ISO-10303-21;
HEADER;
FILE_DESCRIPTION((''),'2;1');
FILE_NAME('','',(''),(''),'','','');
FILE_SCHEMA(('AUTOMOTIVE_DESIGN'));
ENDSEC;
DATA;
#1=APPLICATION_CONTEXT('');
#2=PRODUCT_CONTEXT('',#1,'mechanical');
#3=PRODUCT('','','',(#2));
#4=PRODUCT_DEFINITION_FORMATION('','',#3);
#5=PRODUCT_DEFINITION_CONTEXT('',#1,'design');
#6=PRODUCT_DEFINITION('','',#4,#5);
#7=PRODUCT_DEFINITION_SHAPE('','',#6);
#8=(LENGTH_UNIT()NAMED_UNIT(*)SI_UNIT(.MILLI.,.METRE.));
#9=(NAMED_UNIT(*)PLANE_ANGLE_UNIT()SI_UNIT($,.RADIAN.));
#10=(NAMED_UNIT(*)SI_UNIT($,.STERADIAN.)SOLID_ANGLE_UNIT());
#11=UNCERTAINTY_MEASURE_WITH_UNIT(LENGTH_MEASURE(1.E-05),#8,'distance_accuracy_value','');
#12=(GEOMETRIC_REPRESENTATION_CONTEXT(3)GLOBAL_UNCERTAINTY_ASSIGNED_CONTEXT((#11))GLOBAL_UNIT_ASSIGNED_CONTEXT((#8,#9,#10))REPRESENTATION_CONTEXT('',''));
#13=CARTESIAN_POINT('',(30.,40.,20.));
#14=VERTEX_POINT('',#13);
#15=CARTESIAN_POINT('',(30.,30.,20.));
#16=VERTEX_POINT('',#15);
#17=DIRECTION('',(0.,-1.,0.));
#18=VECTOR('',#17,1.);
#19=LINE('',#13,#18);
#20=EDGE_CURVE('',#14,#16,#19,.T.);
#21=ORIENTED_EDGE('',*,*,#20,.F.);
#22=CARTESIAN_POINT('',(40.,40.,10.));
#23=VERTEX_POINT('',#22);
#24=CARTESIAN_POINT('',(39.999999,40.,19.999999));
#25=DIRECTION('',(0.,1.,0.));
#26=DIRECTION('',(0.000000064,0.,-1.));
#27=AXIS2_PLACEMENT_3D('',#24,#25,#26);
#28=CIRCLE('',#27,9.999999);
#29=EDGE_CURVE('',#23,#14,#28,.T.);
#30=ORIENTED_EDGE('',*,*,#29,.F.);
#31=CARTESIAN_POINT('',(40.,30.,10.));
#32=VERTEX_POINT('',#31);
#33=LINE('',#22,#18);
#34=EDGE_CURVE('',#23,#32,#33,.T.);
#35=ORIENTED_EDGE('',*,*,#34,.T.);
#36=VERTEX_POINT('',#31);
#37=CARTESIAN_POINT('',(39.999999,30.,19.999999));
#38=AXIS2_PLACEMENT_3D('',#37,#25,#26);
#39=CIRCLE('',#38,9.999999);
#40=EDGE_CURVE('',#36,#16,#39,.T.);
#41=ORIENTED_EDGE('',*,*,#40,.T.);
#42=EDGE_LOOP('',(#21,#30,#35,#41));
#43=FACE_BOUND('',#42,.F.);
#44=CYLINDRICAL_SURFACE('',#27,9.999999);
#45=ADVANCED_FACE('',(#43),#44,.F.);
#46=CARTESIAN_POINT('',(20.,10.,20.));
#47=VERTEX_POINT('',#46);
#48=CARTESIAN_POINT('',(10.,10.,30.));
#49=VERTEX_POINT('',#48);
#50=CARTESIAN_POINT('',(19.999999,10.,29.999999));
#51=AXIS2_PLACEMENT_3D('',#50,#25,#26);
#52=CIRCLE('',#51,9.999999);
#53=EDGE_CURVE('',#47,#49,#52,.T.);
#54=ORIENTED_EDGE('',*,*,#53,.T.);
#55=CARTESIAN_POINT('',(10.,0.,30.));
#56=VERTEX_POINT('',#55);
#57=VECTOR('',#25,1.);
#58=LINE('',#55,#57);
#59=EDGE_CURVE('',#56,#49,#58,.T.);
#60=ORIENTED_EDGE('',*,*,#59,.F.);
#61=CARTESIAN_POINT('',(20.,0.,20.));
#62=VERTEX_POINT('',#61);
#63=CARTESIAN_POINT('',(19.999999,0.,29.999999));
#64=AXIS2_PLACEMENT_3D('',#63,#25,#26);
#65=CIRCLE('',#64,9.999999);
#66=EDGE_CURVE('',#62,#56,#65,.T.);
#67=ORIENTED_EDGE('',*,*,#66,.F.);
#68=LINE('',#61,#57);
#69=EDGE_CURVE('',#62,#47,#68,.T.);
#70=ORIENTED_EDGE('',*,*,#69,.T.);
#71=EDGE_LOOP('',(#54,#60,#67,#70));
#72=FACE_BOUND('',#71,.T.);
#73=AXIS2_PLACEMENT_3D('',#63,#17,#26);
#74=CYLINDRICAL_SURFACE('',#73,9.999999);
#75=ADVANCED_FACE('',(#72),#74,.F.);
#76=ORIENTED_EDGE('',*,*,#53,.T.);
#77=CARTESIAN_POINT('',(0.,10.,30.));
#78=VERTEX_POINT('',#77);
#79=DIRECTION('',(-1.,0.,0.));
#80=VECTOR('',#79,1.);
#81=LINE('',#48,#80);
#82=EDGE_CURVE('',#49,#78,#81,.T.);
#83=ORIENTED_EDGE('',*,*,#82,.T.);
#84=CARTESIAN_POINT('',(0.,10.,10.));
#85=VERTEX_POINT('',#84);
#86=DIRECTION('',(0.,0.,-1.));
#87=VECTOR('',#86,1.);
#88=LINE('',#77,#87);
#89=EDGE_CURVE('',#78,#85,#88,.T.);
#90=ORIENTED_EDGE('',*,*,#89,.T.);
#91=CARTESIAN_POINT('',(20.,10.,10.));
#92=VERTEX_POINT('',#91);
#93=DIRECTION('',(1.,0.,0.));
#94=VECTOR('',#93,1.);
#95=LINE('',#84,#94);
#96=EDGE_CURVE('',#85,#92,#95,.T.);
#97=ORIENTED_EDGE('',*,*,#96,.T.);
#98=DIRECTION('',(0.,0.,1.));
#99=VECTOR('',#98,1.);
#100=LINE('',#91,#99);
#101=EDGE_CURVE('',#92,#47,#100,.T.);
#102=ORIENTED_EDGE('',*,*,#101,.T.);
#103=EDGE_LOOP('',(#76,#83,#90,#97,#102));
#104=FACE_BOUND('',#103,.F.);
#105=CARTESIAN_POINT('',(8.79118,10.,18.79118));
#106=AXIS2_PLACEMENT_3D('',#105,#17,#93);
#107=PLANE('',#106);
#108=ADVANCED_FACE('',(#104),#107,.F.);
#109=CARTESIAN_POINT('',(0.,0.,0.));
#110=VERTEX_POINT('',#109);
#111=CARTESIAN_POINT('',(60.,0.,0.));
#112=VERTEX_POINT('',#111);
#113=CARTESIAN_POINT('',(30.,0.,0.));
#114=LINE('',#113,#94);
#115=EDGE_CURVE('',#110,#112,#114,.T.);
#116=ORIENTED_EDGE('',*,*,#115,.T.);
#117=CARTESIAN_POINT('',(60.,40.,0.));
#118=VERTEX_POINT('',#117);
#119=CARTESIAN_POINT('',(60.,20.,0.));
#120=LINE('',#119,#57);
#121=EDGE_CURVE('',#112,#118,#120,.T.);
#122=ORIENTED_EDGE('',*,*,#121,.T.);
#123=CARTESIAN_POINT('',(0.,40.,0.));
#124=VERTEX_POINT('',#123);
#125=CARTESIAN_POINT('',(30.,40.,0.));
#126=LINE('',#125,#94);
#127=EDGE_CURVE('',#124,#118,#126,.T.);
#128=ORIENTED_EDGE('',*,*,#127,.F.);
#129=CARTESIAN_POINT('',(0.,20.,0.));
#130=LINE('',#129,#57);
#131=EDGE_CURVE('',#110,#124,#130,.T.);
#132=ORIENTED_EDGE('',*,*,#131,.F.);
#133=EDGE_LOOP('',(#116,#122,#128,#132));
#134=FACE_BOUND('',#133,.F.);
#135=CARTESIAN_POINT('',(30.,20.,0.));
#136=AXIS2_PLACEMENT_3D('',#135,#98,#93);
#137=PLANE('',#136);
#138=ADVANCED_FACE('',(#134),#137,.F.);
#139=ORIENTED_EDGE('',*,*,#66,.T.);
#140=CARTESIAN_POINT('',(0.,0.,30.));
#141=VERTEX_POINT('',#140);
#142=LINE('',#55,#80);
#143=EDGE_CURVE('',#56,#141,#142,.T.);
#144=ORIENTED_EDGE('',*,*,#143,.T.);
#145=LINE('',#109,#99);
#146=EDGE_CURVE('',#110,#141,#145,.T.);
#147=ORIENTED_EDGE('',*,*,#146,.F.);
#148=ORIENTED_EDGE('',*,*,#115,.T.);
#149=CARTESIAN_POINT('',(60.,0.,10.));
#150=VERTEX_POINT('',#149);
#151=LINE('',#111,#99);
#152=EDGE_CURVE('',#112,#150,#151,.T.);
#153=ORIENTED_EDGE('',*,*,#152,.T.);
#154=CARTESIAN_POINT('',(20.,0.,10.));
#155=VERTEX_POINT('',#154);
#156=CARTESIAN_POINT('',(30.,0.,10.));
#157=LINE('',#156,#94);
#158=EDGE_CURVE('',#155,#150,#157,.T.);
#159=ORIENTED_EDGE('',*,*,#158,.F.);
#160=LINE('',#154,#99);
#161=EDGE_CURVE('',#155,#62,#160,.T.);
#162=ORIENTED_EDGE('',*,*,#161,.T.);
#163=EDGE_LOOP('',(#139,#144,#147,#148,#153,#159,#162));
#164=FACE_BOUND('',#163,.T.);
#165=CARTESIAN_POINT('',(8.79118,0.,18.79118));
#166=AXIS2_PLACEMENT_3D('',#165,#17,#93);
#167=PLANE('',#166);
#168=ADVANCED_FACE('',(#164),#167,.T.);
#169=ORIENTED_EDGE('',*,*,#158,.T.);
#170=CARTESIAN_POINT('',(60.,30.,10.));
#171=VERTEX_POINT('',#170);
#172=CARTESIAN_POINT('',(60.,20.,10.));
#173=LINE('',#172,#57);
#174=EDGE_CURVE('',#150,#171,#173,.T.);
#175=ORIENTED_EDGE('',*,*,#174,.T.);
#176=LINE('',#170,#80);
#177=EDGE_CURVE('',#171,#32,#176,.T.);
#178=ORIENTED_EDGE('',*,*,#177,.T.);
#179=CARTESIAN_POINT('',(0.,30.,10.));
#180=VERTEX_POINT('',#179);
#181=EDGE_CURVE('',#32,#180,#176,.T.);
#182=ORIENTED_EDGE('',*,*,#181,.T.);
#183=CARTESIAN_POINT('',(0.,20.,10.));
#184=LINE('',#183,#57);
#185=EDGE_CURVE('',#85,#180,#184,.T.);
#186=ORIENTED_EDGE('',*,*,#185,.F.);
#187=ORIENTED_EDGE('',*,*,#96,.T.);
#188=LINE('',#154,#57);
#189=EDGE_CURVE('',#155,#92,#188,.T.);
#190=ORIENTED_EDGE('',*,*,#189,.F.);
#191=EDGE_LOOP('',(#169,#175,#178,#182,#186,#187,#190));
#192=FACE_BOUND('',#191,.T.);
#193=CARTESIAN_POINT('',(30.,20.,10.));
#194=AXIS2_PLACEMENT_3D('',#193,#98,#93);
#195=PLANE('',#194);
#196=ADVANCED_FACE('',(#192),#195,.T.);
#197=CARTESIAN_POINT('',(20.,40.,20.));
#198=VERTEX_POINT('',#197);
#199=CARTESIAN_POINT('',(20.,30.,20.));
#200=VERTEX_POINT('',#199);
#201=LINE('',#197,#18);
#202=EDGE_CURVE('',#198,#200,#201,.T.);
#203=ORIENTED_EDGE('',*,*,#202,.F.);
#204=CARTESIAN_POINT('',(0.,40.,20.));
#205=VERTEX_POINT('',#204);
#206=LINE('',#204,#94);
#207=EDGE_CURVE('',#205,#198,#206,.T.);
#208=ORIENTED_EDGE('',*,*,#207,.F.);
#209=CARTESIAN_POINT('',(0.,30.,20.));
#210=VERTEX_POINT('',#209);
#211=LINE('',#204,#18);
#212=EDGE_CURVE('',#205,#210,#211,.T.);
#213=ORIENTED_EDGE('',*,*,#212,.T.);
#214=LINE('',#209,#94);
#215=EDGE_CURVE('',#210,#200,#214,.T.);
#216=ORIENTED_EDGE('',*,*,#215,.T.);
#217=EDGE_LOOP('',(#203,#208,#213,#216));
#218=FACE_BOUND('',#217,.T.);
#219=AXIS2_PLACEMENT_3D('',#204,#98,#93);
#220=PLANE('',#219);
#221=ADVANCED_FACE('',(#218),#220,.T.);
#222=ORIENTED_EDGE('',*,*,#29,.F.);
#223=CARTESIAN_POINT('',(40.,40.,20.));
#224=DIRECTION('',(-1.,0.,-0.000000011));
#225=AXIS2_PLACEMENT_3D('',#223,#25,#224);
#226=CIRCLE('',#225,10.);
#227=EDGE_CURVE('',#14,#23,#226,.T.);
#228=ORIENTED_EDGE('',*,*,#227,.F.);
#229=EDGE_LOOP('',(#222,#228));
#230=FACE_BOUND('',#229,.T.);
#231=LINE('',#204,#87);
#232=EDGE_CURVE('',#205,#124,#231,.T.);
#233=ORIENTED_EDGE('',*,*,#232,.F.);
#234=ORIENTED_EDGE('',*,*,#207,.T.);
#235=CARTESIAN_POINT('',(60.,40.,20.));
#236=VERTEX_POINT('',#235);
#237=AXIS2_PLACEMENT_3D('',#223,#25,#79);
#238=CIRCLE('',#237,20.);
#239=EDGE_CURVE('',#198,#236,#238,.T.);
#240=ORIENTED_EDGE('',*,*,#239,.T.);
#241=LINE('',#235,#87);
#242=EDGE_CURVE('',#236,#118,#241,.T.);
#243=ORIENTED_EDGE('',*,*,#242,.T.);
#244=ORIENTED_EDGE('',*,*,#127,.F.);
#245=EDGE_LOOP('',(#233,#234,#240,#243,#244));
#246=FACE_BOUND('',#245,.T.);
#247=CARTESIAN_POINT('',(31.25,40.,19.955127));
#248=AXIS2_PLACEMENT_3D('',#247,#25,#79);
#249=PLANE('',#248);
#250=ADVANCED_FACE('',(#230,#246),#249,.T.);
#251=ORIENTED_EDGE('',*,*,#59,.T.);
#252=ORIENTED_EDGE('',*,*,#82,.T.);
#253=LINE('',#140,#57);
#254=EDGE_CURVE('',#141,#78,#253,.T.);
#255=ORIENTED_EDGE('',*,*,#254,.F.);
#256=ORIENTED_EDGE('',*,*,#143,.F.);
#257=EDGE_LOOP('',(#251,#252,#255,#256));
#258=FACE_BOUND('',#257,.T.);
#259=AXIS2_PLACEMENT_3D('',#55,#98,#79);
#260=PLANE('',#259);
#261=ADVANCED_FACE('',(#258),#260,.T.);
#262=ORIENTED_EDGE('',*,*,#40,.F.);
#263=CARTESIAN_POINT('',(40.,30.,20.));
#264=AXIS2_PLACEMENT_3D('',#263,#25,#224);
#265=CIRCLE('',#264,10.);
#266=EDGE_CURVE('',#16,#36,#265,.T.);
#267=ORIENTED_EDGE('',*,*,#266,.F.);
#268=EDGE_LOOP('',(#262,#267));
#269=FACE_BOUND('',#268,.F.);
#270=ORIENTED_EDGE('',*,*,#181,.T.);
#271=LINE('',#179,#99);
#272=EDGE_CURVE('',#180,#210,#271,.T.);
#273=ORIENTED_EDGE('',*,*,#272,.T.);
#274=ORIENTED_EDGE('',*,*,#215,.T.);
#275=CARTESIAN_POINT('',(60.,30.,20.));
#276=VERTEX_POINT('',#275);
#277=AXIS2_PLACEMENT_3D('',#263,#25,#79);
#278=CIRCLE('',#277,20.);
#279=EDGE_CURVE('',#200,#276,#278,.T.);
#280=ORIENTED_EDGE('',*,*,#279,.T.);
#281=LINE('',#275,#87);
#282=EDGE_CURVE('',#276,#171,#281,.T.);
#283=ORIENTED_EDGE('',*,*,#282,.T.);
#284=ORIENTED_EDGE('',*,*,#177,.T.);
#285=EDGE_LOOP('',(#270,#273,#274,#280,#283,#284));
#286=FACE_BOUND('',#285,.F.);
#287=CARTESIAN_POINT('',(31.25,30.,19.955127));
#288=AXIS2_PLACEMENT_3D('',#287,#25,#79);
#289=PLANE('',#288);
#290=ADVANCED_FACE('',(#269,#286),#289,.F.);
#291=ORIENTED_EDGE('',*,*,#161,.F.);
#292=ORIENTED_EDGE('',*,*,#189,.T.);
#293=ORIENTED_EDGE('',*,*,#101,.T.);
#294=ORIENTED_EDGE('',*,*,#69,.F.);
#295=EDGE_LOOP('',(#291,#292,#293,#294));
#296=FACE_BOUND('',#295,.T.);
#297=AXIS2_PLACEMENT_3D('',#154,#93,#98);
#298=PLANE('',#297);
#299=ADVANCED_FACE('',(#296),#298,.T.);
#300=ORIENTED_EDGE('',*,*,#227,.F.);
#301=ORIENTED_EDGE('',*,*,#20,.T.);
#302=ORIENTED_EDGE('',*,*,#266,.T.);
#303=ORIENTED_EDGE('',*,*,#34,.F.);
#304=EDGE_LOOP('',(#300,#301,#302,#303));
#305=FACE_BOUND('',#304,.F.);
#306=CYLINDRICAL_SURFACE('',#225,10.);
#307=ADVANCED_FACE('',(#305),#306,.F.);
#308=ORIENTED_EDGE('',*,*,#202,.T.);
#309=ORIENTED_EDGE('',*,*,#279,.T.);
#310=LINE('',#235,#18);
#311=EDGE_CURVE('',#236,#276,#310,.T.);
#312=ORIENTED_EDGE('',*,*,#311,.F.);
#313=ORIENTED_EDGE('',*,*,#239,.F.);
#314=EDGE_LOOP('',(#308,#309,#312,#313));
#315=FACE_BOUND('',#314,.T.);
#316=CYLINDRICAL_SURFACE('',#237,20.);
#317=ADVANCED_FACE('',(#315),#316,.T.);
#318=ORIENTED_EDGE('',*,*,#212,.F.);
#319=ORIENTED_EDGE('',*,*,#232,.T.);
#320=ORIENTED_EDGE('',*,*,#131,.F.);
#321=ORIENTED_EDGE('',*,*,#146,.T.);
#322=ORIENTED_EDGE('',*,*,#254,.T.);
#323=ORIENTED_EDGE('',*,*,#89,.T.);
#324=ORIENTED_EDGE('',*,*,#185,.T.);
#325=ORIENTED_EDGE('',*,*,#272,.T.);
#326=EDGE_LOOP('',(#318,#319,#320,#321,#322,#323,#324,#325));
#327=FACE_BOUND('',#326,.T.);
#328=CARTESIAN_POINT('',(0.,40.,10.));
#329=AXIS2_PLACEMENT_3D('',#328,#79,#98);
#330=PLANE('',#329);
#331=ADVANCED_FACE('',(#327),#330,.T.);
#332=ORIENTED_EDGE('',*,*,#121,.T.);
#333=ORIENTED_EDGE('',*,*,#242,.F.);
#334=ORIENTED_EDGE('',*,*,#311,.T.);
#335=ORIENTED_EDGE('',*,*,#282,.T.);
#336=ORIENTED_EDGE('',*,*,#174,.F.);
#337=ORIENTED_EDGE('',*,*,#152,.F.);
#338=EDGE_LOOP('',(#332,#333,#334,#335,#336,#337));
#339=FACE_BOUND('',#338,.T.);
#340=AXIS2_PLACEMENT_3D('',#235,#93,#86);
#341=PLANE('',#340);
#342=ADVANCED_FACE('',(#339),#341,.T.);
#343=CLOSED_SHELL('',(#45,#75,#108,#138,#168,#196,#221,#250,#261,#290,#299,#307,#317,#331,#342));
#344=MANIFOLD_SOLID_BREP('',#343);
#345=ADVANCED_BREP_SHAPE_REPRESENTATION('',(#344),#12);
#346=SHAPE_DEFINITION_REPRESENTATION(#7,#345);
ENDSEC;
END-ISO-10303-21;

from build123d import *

# Parameters (mm, degrees)
F0_W     = 60
F0_H     = 40
F1_DEPTH = 10
F3_DEPTH = 10
F5_DEPTH = 10
F7_DEPTH = 25


with BuildPart() as f1:
    # F0 (on Top) → F1 (new body)
    with BuildSketch(Plane.XY):
        with Locations((30, 20)):
            Rectangle(F0_W, F0_H)
    extrude(amount=F1_DEPTH)

    # F2 (on face) → F3 (join)
    with BuildSketch(Plane.XZ):
        with BuildLine():
            Line((0, 30), (0, 10))
            Line((0, 10), (20, 10))
            Line((20, 10), (20, 20))
            ThreePointArc((20, 20), (12.928932, 22.928932), (10, 30))
            Line((10, 30), (0, 30))
        make_face()
    extrude(amount=-F3_DEPTH)

    # F4 (on face) → F5 (join)
    with BuildSketch(Plane(origin=(0, 40, 0), x_dir=(-1, 0, 0), z_dir=(0, 1, 0))):
        with BuildLine():
            Line((-60, 10), (0, 10))
            Line((0, 10), (0, 20))
            Line((0, 20), (-20, 20))
            ThreePointArc((-20, 20), (-40, 40), (-60, 20))
            Line((-60, 20), (-60, 10))
        make_face()
    extrude(amount=-F5_DEPTH)

    # F6 (on face) → F7 (cut)
    with BuildSketch(Plane(origin=(0, 40, 0), x_dir=(-1, 0, 0), z_dir=(0, 1, 0))):
        with BuildLine():
            ThreePointArc((-40, 10), (-32.928932, 12.928932), (-30, 20))
            ThreePointArc((-30, 20), (-47.071068, 27.071068), (-40, 10))
        make_face()
    extrude(amount=-F7_DEPTH, mode=Mode.SUBTRACT)


solid = f1.part
